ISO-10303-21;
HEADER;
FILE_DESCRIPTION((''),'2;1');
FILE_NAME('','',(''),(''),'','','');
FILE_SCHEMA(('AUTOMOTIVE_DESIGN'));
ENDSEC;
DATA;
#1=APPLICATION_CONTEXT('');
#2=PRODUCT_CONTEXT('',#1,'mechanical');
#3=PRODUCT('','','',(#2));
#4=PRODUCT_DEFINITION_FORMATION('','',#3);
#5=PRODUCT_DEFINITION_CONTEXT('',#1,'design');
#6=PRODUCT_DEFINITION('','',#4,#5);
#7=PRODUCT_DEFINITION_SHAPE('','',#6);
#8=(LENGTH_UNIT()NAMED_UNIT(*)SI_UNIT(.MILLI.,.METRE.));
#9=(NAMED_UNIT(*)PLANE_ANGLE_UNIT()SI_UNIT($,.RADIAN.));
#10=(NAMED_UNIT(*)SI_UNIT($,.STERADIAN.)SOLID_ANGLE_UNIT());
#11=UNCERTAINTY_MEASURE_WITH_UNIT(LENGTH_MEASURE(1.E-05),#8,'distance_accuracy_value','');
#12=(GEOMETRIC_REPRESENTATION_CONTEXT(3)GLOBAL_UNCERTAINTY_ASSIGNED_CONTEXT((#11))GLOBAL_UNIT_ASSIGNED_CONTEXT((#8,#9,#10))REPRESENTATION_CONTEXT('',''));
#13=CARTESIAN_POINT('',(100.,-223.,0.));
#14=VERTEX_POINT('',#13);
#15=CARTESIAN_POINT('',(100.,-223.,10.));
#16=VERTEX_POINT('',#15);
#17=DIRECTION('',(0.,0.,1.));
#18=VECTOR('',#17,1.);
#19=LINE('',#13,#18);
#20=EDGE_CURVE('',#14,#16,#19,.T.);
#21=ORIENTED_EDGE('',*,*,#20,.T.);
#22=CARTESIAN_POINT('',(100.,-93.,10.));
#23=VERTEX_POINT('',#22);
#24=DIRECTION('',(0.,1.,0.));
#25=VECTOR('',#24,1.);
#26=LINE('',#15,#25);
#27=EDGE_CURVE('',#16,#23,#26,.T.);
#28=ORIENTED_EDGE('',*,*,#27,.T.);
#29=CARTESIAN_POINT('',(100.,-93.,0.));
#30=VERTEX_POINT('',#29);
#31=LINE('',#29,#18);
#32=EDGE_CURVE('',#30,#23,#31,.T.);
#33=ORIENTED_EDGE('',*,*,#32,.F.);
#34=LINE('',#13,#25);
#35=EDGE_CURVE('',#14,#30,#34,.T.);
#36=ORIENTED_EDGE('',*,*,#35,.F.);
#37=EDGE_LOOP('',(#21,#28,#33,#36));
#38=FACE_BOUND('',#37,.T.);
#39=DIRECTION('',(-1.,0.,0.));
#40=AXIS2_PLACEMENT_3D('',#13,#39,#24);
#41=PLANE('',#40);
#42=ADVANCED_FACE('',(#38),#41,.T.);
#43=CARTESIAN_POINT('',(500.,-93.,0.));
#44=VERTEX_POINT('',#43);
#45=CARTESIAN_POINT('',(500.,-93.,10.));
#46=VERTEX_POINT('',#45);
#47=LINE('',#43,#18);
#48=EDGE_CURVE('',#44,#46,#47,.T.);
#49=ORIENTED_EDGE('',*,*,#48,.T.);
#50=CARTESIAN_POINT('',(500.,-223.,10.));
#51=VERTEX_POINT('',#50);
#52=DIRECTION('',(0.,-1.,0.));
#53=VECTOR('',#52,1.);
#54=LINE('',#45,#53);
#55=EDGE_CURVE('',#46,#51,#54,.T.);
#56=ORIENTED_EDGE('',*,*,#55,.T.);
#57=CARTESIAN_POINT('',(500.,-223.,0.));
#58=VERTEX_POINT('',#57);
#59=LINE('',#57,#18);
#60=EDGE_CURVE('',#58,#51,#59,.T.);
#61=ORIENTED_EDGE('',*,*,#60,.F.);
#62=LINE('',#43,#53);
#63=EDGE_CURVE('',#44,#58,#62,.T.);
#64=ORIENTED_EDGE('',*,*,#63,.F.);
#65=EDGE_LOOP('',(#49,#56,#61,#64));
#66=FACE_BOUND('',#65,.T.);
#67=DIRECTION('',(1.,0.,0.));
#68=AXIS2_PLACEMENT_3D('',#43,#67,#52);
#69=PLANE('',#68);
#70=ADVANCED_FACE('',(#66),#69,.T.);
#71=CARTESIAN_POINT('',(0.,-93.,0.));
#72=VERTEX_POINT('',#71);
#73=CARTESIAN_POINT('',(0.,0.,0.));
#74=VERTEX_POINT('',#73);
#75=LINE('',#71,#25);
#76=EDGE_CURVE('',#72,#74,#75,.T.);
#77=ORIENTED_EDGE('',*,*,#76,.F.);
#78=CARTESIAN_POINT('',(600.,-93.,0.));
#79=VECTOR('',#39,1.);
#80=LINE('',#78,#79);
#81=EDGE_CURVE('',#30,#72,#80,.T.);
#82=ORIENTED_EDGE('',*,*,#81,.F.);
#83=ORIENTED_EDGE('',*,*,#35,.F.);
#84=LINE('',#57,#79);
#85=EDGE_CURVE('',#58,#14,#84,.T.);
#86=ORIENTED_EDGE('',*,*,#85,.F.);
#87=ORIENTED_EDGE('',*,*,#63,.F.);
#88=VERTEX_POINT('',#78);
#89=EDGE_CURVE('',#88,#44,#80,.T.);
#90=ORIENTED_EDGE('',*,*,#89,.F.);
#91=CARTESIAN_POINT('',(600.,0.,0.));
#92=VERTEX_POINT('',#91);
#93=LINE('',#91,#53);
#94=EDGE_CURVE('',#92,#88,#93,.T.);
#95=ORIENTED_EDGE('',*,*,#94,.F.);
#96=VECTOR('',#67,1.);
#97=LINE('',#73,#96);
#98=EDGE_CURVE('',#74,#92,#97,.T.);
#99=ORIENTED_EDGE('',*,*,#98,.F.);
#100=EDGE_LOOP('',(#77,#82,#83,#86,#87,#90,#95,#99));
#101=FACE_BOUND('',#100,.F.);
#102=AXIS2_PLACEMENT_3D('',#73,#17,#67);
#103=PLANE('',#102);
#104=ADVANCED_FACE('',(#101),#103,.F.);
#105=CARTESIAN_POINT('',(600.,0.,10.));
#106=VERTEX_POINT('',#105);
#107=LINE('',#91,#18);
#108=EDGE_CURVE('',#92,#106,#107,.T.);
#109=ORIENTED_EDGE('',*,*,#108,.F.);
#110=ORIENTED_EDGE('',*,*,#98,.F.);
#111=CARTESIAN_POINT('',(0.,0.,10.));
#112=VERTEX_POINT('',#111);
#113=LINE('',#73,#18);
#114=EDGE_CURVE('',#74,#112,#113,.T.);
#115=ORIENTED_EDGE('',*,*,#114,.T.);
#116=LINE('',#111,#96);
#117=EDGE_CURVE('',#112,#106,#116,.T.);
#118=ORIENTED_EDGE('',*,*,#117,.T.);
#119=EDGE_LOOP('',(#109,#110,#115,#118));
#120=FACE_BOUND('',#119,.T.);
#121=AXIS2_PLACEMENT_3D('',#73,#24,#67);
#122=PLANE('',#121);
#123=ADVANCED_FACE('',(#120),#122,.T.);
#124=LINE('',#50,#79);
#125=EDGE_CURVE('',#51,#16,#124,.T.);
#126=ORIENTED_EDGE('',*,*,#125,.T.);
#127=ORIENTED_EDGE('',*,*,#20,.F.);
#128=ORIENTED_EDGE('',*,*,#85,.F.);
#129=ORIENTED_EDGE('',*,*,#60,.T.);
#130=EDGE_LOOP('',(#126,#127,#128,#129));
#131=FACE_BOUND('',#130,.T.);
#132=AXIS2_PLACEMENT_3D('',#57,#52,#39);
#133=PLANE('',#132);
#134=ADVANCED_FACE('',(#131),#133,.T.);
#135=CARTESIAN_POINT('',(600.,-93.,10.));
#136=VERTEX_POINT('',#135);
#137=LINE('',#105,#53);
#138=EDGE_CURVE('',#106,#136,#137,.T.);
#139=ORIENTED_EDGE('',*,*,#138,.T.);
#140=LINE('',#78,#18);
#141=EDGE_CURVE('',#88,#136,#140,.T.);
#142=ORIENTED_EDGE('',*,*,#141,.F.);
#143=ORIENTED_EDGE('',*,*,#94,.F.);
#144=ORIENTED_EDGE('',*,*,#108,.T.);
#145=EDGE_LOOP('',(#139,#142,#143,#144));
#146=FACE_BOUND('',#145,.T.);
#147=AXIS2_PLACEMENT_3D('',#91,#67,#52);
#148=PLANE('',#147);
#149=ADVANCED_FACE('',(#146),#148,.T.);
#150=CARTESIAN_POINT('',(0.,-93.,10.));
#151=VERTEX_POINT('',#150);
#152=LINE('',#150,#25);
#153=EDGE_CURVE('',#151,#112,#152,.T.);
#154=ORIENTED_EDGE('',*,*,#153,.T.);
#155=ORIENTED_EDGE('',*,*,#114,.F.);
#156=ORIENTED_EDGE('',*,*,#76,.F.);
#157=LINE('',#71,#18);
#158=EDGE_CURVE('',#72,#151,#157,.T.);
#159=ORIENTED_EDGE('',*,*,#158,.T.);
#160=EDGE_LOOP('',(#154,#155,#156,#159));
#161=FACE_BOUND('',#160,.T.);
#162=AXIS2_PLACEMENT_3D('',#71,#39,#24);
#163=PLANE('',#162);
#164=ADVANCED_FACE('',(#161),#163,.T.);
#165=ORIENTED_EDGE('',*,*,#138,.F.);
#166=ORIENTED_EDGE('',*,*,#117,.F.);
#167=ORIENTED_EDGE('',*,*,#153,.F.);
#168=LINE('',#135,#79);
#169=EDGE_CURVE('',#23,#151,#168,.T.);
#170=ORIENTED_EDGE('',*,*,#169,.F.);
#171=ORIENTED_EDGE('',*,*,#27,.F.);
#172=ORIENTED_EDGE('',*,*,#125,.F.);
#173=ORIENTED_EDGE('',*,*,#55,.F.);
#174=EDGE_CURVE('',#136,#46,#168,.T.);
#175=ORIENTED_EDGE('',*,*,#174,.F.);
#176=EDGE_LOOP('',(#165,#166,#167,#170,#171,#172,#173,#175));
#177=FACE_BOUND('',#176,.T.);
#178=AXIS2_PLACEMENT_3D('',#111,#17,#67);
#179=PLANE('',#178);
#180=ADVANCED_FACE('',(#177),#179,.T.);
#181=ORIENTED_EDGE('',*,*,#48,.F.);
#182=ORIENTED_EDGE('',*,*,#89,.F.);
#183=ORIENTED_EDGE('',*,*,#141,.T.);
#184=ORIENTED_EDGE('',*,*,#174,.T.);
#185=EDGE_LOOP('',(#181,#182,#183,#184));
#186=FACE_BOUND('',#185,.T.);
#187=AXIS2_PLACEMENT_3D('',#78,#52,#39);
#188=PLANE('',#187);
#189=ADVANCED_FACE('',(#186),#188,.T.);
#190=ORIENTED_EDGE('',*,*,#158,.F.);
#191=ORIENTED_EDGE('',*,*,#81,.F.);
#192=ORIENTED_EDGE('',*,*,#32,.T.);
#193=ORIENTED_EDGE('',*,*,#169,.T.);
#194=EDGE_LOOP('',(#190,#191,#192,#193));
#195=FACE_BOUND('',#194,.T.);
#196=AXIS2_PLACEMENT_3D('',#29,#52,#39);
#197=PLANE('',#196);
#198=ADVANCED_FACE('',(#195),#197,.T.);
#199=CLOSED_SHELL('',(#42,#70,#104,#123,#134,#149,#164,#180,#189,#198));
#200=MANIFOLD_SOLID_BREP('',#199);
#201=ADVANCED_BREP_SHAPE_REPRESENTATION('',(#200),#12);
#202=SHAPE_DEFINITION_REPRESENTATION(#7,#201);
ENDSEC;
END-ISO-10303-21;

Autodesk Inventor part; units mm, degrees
ref_plane "YZ Plane" through (0, 0, 0) normal (1, 0, 0) x (0, 1, 0)
ref_plane "XZ Plane" through (0, 0, 0) normal (0, 1, 0) x (-1, 0, 0)
ref_plane "XY Plane" through (0, 0, 0) normal (0, 0, 1) x (1, 0, 0)
sketch "Sketch1" plane through (0, 0, 0) normal (0, 0, 1) x (1, 0, 0)
  line L0 (0, 0) -> (600, 0)
  line L1 (600, 0) -> (600, -93)
  line L2 (600, -93) -> (0, -93)
  line L3 (0, -93) -> (0, 0)
  line L4 (100, -93) -> (500, -93)
  line L5 (500, -93) -> (500, -223)
  line L6 (500, -223) -> (100, -223)
  line L7 (100, -223) -> (100, -93)
  point P0 (300, -93)
  point P1 (300, -223)
  dimension "d0" = 600
  dimension "d1" = 93
  dimension "d2" = 400
  dimension "d6" = 223
extrude "Extrusion1" add sketch "Sketch1" along normal blind 10
properties part number "Front Cover" material "ABS Plastic"
